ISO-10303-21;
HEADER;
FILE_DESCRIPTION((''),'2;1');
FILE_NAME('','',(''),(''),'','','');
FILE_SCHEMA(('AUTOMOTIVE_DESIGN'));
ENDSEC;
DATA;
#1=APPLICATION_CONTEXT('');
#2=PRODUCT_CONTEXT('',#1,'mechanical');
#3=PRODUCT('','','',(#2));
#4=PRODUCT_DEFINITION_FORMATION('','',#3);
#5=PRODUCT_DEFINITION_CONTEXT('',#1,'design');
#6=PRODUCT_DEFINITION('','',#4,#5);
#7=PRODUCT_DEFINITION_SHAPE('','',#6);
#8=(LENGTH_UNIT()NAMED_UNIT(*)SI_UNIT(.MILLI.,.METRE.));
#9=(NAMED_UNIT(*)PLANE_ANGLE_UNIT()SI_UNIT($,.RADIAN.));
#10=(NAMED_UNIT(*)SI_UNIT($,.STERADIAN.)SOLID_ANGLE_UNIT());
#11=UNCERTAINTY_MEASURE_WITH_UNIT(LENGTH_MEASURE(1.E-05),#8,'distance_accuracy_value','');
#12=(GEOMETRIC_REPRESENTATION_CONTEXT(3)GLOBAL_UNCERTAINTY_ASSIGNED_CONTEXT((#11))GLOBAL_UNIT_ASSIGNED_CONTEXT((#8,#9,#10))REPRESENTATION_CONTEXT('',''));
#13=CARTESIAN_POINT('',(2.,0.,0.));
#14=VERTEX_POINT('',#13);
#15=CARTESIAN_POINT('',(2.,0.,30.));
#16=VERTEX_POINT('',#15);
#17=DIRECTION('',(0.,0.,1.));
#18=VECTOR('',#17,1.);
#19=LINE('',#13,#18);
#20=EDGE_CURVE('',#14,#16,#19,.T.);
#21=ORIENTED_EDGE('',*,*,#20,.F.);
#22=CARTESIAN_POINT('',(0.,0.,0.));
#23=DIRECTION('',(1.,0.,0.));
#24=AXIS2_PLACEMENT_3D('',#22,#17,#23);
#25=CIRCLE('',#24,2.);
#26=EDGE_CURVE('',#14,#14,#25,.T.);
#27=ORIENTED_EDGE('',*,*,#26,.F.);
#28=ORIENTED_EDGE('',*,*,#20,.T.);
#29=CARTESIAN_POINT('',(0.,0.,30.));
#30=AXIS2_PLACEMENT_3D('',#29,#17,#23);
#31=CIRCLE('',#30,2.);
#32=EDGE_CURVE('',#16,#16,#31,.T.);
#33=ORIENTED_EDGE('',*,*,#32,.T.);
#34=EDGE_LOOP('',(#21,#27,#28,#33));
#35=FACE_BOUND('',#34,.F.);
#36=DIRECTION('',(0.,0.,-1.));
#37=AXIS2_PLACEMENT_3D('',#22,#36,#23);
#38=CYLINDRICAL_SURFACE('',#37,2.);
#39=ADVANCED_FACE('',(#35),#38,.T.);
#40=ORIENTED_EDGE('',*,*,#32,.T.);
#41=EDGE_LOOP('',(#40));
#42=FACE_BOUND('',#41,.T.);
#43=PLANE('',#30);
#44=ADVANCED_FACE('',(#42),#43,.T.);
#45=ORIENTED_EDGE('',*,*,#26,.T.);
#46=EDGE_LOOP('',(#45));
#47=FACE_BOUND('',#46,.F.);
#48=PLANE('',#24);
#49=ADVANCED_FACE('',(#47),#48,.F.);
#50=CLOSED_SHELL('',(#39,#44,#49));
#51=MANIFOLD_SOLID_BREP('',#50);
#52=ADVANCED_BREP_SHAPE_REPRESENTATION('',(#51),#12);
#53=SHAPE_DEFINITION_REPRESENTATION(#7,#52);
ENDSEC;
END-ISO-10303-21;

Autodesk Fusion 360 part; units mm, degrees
sketch "Sketch1" plane through (0, 0, 0) normal (0, 0, 1) x (1, 0, 0)
  circle A0 centre (0, 0) radius 2
  dimension "d1" = 4
extrude "Extrude1" add sketch "Sketch1" along normal blind 30
